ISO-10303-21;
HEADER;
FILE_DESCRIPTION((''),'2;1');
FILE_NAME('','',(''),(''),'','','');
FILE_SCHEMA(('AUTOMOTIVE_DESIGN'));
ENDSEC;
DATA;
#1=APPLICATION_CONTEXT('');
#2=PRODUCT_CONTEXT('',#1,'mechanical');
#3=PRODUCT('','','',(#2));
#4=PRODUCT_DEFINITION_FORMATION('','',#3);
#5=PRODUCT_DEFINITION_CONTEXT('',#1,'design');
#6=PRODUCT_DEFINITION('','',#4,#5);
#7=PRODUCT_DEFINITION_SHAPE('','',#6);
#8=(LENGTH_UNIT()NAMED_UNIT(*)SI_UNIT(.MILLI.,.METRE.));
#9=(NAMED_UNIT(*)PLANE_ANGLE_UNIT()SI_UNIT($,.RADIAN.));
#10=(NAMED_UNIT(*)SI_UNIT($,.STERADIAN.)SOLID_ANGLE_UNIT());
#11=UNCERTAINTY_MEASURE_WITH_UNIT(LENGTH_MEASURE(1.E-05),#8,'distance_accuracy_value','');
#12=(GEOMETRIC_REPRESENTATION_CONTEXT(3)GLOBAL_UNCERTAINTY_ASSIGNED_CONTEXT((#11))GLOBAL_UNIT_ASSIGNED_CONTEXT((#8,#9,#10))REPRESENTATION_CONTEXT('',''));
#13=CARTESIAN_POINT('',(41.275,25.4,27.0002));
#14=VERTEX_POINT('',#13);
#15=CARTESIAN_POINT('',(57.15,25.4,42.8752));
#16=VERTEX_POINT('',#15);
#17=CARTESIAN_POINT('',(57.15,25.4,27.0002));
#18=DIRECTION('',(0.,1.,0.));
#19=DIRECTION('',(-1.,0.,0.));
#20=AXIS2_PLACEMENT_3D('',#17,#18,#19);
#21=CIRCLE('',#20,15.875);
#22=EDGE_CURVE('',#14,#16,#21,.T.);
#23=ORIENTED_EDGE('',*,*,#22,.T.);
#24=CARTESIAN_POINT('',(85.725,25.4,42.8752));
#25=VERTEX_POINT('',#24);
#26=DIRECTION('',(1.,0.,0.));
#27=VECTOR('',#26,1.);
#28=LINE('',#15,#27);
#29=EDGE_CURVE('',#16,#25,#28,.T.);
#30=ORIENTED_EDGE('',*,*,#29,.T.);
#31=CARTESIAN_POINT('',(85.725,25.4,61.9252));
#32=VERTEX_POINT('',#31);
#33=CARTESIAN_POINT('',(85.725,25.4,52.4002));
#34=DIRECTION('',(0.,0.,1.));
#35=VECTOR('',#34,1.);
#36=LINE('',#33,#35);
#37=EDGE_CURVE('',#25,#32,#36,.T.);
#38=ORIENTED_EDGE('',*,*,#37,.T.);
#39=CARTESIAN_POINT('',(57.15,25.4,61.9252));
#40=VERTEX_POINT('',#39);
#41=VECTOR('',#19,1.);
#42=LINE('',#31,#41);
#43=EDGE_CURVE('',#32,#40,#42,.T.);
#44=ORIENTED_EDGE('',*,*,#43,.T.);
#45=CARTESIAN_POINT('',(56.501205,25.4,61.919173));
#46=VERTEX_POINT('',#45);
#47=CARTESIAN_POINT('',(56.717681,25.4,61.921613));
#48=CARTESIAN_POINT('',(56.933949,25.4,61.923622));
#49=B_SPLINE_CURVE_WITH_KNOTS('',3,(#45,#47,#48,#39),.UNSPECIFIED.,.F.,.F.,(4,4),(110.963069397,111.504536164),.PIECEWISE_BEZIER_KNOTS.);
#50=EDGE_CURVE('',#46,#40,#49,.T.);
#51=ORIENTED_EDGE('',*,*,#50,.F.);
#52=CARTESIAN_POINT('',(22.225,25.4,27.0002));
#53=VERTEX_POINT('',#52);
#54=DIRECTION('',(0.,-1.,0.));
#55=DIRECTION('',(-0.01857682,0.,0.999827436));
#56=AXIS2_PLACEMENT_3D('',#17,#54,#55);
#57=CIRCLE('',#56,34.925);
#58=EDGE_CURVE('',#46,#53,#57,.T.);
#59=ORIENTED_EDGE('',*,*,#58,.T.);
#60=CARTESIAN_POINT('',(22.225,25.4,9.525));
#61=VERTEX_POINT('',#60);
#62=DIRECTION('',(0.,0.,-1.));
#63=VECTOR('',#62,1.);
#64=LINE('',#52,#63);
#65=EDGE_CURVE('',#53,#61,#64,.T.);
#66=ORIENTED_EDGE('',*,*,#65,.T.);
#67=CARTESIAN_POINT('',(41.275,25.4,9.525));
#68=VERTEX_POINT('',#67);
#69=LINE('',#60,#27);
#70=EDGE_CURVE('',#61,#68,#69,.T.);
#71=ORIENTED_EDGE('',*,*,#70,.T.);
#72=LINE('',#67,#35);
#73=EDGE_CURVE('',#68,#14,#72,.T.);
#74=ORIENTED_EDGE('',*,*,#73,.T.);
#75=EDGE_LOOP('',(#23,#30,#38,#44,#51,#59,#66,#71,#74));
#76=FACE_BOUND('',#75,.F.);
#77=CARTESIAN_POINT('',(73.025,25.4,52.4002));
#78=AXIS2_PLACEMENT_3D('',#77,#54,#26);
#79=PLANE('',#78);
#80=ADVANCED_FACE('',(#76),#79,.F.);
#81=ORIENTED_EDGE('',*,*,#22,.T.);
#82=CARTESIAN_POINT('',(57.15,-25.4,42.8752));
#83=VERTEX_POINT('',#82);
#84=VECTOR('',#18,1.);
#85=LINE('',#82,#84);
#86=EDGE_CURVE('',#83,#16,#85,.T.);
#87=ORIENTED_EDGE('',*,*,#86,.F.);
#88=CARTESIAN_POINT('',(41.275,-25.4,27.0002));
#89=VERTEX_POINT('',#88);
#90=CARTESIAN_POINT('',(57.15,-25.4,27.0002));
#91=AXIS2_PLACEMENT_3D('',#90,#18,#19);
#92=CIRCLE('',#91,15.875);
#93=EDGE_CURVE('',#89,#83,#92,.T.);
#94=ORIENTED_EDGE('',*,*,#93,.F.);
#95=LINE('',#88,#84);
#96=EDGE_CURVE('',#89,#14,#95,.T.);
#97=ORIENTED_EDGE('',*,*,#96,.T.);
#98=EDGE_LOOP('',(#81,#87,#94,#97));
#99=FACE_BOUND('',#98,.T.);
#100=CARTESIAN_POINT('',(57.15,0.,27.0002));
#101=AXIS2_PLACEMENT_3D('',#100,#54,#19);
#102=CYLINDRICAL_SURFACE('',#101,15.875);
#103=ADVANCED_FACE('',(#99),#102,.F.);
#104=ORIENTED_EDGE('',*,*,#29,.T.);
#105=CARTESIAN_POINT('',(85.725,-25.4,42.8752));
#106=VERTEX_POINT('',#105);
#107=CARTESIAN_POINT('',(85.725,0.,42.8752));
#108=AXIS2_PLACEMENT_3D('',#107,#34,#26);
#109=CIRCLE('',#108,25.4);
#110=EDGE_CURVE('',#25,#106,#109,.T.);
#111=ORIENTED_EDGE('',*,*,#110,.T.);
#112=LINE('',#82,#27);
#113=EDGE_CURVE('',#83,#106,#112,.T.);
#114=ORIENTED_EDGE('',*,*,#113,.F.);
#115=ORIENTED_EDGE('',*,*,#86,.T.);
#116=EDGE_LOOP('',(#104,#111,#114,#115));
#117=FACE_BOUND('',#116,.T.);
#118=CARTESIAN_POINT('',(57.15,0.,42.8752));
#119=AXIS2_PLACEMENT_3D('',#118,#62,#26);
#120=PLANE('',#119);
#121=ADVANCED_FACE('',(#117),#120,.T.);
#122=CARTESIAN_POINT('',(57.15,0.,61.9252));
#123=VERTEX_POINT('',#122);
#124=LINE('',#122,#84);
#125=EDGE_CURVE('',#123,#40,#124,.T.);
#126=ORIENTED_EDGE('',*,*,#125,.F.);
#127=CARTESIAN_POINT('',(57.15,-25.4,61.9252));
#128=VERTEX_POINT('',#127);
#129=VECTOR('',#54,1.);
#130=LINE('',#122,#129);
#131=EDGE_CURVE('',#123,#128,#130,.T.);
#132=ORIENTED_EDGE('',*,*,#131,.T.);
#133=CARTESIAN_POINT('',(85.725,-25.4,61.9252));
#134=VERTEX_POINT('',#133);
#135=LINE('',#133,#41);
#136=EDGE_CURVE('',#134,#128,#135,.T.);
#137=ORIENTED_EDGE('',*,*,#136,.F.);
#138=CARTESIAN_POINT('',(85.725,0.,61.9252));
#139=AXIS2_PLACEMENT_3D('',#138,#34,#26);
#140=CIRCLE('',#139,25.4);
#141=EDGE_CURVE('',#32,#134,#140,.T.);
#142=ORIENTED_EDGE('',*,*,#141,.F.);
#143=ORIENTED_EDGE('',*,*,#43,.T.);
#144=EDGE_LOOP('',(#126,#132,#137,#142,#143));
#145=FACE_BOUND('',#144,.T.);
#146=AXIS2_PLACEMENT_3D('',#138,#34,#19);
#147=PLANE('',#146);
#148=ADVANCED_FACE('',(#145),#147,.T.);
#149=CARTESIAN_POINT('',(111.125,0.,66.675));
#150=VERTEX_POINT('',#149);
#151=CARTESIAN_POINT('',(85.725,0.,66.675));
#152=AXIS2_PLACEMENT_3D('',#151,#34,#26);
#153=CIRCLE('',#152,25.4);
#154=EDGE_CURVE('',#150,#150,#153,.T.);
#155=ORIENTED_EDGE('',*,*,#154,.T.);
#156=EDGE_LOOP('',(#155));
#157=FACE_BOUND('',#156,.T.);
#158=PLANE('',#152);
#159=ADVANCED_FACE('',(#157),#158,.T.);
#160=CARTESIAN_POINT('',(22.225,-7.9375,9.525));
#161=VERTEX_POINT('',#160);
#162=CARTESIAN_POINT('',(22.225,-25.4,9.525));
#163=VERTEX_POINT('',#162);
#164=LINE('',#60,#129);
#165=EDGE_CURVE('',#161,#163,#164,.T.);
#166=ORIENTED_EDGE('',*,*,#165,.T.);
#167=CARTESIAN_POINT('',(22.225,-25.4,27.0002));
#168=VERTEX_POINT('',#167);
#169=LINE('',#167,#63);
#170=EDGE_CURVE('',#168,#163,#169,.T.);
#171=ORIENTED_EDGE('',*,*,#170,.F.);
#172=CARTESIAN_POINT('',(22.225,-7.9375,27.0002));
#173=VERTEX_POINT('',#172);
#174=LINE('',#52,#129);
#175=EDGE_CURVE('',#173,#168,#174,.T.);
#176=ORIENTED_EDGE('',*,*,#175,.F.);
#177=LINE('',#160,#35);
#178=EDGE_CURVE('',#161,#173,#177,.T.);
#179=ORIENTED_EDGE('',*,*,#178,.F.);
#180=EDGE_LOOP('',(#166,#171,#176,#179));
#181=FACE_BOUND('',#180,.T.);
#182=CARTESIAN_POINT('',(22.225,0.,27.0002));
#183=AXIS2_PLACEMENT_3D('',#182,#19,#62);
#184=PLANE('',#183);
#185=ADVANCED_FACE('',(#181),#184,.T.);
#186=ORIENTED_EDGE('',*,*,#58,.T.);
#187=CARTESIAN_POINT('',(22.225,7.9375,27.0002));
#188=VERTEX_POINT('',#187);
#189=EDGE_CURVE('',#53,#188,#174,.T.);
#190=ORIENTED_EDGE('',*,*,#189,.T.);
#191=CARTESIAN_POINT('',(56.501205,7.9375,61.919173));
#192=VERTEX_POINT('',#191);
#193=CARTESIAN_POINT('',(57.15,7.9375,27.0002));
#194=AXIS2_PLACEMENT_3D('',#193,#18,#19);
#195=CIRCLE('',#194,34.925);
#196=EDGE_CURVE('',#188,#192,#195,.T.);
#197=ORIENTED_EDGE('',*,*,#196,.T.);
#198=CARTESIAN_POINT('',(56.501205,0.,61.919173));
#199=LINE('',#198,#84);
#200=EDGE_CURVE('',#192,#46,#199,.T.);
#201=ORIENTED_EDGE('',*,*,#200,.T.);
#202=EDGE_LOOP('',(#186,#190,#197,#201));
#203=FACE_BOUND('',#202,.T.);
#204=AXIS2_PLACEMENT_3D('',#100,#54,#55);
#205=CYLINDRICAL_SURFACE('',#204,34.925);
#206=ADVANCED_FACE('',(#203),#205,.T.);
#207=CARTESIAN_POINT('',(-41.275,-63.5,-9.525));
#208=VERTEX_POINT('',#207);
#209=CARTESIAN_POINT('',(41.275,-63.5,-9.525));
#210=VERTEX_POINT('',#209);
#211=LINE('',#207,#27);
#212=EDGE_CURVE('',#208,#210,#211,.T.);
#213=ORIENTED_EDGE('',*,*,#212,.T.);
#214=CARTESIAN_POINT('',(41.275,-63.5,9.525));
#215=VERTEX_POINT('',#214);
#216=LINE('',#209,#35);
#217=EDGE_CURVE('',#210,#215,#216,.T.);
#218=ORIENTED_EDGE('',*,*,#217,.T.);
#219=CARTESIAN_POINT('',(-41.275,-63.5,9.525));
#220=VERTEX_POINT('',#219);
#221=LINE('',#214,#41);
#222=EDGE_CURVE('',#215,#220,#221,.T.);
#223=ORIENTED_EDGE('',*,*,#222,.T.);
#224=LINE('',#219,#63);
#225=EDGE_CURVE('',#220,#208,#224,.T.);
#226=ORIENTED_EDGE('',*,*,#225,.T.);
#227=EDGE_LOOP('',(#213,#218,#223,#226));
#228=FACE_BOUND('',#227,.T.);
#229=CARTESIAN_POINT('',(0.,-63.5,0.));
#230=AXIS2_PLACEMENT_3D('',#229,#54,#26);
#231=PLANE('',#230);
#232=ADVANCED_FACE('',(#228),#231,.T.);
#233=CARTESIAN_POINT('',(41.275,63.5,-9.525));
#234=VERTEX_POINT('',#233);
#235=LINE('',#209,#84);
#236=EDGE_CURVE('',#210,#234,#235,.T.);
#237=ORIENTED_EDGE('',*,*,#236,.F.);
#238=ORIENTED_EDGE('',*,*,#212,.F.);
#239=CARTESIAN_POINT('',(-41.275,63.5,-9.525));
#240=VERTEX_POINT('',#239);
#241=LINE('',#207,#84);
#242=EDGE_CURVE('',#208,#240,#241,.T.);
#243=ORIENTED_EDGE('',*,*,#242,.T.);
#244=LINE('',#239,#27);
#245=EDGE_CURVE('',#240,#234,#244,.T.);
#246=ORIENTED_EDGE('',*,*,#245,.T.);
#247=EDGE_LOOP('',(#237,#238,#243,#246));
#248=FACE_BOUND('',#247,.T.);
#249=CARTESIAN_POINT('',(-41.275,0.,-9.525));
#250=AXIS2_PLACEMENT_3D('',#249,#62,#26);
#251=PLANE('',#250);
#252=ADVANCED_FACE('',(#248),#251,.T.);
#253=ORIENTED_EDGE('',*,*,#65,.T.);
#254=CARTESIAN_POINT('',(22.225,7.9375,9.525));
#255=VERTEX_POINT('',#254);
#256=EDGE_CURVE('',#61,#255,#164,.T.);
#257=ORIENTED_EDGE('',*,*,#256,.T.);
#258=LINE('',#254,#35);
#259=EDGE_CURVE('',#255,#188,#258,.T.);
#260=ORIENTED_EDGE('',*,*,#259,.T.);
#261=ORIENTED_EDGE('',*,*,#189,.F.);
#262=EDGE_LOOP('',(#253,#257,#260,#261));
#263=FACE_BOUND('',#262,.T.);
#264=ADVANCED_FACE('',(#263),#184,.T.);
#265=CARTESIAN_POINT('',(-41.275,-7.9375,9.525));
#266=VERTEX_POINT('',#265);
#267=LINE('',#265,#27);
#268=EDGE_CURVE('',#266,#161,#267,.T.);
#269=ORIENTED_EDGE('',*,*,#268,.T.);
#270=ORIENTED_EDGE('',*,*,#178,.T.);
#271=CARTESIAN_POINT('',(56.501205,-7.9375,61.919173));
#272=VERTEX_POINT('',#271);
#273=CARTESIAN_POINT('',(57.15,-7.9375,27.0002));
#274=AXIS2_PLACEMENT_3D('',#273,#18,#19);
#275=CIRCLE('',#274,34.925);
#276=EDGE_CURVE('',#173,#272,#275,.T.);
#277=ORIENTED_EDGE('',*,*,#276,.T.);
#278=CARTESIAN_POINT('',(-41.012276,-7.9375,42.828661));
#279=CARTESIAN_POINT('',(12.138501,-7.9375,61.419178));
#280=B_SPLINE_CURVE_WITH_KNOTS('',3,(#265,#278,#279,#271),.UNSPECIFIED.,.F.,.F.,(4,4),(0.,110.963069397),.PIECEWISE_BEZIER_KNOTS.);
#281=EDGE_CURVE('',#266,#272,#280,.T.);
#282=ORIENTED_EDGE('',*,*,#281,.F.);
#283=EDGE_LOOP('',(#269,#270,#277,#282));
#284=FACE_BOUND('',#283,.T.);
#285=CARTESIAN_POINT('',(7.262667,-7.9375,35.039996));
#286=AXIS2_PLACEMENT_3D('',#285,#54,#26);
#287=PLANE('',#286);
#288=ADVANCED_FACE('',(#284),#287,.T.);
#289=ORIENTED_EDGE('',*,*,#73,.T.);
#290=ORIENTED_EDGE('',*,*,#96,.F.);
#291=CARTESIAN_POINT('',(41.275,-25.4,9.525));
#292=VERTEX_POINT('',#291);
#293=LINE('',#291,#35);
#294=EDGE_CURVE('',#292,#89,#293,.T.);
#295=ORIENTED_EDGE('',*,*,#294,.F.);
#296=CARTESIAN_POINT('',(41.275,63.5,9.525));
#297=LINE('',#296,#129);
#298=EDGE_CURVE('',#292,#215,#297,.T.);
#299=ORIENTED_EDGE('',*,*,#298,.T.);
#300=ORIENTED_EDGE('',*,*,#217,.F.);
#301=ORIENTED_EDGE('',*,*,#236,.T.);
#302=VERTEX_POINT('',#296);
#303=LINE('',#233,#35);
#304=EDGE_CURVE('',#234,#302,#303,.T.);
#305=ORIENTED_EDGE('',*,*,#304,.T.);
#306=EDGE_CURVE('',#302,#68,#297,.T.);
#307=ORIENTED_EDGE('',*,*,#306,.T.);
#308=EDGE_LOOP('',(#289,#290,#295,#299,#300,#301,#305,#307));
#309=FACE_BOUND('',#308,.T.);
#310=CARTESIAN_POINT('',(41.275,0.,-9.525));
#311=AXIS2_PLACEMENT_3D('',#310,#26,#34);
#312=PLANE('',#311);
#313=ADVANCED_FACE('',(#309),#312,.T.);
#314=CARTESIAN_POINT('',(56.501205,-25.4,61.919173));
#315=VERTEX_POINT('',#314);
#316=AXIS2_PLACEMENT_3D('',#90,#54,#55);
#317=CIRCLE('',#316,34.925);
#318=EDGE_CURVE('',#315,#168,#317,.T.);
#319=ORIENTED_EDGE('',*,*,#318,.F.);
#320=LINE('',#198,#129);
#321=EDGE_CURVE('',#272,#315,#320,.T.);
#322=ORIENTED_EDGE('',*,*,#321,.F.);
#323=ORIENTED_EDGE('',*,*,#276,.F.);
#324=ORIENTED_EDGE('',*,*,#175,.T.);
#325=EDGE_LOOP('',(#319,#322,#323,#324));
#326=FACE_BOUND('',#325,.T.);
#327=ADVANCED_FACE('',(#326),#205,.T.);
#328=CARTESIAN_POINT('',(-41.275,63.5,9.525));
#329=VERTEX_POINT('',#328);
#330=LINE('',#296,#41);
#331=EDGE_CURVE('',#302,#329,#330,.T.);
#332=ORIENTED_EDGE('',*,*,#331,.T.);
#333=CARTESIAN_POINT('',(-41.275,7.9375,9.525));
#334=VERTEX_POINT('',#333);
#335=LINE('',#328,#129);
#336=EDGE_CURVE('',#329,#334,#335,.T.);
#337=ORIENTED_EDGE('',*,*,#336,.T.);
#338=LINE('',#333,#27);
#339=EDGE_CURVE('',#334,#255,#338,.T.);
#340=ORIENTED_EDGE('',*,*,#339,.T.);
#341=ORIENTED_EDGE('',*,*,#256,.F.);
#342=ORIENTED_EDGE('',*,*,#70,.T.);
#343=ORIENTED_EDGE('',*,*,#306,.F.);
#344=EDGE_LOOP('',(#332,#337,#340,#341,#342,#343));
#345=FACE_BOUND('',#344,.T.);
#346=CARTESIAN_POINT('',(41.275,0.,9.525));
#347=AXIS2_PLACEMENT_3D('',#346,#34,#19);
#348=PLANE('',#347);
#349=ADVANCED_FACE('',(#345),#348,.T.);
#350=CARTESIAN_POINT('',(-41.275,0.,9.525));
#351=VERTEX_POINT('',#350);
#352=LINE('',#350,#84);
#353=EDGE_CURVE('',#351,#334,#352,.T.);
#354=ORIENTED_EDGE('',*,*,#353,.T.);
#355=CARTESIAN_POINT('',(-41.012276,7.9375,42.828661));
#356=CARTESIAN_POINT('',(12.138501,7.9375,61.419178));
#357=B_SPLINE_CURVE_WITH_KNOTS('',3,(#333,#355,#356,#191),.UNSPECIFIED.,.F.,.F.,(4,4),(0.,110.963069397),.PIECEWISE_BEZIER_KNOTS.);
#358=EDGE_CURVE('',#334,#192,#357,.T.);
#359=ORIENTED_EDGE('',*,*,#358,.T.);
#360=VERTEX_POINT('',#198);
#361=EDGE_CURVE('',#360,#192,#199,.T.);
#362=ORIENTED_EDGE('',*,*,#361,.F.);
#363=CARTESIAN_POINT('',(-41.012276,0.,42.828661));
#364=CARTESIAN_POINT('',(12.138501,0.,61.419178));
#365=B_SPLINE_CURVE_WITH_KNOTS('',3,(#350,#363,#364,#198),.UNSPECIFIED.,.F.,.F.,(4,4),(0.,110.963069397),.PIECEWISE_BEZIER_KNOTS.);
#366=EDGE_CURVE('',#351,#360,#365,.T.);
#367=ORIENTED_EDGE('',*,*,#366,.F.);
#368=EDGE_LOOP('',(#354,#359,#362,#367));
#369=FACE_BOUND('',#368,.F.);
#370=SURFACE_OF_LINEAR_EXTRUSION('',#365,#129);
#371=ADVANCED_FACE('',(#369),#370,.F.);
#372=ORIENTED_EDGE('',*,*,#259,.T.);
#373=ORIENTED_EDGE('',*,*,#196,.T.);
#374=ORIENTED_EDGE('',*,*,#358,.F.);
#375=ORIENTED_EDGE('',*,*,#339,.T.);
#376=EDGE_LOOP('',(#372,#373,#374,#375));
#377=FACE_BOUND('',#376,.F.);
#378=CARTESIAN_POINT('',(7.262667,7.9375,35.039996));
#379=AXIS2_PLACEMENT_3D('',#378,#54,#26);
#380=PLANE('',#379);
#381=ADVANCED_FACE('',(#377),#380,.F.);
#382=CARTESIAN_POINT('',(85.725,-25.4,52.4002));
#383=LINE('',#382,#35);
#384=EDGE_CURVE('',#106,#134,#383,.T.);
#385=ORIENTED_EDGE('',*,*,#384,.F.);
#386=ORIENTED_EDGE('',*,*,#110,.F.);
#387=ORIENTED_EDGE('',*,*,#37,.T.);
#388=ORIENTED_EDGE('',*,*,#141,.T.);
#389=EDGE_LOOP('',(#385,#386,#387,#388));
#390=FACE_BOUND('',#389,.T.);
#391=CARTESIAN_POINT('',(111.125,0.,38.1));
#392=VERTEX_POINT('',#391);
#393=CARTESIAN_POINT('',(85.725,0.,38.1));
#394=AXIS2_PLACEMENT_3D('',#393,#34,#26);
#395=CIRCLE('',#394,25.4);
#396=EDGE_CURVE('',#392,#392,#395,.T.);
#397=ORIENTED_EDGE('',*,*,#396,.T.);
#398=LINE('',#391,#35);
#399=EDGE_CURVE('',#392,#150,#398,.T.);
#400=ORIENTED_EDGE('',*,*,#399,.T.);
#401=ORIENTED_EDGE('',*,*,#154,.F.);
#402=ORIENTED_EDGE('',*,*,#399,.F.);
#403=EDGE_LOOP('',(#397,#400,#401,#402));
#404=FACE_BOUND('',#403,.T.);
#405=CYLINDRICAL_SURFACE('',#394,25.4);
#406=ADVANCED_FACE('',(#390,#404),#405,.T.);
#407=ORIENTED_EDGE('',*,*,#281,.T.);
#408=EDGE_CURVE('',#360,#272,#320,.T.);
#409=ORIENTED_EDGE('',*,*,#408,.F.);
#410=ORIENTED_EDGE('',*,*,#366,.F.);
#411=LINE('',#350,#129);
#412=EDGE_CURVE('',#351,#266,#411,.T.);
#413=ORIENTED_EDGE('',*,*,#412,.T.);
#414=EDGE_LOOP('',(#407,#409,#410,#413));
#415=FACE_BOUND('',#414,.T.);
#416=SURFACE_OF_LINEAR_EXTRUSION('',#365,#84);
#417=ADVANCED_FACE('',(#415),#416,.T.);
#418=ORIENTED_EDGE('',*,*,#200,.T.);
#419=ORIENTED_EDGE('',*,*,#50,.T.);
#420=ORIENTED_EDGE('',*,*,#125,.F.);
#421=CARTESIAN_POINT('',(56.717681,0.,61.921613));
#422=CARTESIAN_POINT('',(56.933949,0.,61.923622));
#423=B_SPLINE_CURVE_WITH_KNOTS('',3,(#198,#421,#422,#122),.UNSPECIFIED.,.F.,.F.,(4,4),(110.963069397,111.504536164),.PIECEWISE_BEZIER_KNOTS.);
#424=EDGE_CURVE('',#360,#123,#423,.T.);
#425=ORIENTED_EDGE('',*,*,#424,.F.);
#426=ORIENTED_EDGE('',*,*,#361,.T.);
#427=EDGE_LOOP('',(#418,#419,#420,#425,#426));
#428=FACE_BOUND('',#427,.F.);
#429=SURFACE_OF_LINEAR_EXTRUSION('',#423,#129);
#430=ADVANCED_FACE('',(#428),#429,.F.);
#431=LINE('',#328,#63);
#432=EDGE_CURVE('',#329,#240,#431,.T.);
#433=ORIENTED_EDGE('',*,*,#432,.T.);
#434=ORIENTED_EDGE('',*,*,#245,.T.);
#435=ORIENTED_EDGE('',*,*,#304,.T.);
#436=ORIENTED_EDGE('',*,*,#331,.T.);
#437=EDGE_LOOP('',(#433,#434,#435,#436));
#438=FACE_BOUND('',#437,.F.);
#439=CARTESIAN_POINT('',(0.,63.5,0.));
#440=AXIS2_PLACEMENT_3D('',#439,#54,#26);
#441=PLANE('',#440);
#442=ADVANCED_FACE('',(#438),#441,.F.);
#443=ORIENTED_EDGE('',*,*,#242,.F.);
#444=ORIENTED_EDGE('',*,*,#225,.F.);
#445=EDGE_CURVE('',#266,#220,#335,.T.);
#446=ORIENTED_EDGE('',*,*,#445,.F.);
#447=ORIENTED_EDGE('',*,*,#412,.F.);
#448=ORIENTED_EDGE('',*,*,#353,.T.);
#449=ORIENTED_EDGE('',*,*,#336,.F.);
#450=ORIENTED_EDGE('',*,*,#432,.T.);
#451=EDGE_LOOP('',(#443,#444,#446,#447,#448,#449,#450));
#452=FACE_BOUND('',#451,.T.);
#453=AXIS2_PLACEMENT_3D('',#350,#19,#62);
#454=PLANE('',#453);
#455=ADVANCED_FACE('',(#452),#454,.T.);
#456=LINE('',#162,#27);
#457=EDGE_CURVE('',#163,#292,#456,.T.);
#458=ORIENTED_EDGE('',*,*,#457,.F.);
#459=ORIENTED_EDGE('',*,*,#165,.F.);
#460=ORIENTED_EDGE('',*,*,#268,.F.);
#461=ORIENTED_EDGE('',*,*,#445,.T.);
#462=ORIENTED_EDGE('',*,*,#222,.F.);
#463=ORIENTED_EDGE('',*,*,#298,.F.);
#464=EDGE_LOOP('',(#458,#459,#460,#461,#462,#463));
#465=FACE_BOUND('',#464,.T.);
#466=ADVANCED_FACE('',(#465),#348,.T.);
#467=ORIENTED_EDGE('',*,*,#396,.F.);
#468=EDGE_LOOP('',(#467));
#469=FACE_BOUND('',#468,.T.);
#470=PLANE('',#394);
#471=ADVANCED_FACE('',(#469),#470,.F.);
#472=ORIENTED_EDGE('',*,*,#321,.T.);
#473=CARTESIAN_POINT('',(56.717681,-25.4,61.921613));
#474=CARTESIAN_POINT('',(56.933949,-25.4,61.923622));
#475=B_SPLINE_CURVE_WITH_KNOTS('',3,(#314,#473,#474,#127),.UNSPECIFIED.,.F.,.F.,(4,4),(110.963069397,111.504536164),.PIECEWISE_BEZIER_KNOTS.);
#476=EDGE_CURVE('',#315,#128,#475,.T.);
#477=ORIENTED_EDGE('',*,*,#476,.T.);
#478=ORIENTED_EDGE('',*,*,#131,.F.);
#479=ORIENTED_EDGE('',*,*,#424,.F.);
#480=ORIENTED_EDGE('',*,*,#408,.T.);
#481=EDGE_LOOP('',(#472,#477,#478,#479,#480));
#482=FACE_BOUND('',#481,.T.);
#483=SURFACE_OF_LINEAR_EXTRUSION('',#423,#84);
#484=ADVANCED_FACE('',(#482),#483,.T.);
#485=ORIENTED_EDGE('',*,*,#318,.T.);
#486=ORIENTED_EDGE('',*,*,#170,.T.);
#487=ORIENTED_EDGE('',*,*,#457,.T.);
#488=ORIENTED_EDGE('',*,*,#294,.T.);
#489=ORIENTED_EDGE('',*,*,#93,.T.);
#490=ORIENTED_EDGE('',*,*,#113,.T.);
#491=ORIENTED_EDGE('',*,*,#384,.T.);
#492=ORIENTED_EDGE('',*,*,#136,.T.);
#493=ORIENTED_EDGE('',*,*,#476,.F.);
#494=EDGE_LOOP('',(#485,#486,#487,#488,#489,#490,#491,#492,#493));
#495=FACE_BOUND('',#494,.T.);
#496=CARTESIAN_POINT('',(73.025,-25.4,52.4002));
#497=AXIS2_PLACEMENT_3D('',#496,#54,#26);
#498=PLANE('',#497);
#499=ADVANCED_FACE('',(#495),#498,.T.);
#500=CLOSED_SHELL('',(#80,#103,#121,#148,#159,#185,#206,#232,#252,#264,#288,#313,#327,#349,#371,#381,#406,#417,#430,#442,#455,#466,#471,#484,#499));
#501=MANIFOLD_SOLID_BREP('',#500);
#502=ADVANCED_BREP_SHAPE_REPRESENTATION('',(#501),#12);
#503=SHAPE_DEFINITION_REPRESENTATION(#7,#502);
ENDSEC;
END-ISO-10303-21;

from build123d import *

# Parameters (mm, degrees)
F1_DEPTH = 63.5
F0_W     = 25.4
F0_H     = 19.05
F2_DEPTH = 25.4
F3_DEPTH = 7.9375


with BuildPart() as f1:
    # F0 (on Front) → F1 (new body, symmetric)
    with BuildSketch(Plane.XZ):
        Polygon((41.275, -9.525), (41.275, 9.525), (22.225, 9.525), (-41.275, 9.525), (-41.275, -9.525), align=None)
    extrude(amount=F1_DEPTH, both=True)

    # F0 (on Front) → F2 (join, symmetric)
    with BuildSketch(Plane.XZ):
        with Locations((73.025, 52.4002)):
            Rectangle(F0_W, F0_H)
        with BuildLine():
            Line((22.225, 9.525), (41.275, 9.525))
            Line((41.275, 9.525), (41.275, 27.0002))
            ThreePointArc((41.275, 27.0002), (45.9246798487, 38.2255201513), (57.15, 42.8752))
            Line((57.15, 42.8752), (60.325, 42.8752))
            Line((60.325, 42.8752), (60.325, 61.9252))
            Line((60.325, 61.9252), (57.15, 61.9252))
            add(Edge.make_bspline(
                [(56.5012045557, 61.9191732018), (56.7176813498, 61.9216130278), (56.9339488866, 61.9236220913), (57.15, 61.9252)],
                knots=[110.9630693968, 110.9630693968, 110.9630693968, 110.9630693968, 111.5045361635, 111.5045361635, 111.5045361635, 111.5045361635], degree=3))
            ThreePointArc((56.5012045557, 61.9191732018), (32.2259673619, 51.4654451869), (22.225, 27.0002))
            Line((22.225, 27.0002), (22.225, 9.525))
        make_face()
    extrude(amount=F2_DEPTH, both=True)

    # F0 (on Front) → F3 (join, symmetric)
    with BuildSketch(Plane.XZ):
        with BuildLine():
            Line((-41.275, 9.525), (22.225, 9.525))
            Line((22.225, 9.525), (22.225, 27.0002))
            ThreePointArc((22.225, 27.0002), (32.2259673619, 51.4654451869), (56.5012045557, 61.9191732018))
            add(Edge.make_bspline(
                [(-41.275, 9.525), (-41.0122764768, 42.8286605667), (12.1385012456, 61.4191783861), (56.5012045557, 61.9191732018)],
                knots=[0, 0, 0, 0, 110.9630693968, 110.9630693968, 110.9630693968, 110.9630693968], degree=3))
        make_face()
    extrude(amount=F3_DEPTH, both=True)

    # F0 (on Front) → F4 (revolve)
    with BuildSketch(Plane.XZ):
        Polygon((85.725, 61.9252), (85.725, 42.8752), (85.725, 38.1), (111.125, 38.1), (111.125, 66.675), (85.725, 66.675), align=None)
    revolve(axis=Axis((85.725, 0, 52.3875), (0, 0, 1)))


solid = f1.part
